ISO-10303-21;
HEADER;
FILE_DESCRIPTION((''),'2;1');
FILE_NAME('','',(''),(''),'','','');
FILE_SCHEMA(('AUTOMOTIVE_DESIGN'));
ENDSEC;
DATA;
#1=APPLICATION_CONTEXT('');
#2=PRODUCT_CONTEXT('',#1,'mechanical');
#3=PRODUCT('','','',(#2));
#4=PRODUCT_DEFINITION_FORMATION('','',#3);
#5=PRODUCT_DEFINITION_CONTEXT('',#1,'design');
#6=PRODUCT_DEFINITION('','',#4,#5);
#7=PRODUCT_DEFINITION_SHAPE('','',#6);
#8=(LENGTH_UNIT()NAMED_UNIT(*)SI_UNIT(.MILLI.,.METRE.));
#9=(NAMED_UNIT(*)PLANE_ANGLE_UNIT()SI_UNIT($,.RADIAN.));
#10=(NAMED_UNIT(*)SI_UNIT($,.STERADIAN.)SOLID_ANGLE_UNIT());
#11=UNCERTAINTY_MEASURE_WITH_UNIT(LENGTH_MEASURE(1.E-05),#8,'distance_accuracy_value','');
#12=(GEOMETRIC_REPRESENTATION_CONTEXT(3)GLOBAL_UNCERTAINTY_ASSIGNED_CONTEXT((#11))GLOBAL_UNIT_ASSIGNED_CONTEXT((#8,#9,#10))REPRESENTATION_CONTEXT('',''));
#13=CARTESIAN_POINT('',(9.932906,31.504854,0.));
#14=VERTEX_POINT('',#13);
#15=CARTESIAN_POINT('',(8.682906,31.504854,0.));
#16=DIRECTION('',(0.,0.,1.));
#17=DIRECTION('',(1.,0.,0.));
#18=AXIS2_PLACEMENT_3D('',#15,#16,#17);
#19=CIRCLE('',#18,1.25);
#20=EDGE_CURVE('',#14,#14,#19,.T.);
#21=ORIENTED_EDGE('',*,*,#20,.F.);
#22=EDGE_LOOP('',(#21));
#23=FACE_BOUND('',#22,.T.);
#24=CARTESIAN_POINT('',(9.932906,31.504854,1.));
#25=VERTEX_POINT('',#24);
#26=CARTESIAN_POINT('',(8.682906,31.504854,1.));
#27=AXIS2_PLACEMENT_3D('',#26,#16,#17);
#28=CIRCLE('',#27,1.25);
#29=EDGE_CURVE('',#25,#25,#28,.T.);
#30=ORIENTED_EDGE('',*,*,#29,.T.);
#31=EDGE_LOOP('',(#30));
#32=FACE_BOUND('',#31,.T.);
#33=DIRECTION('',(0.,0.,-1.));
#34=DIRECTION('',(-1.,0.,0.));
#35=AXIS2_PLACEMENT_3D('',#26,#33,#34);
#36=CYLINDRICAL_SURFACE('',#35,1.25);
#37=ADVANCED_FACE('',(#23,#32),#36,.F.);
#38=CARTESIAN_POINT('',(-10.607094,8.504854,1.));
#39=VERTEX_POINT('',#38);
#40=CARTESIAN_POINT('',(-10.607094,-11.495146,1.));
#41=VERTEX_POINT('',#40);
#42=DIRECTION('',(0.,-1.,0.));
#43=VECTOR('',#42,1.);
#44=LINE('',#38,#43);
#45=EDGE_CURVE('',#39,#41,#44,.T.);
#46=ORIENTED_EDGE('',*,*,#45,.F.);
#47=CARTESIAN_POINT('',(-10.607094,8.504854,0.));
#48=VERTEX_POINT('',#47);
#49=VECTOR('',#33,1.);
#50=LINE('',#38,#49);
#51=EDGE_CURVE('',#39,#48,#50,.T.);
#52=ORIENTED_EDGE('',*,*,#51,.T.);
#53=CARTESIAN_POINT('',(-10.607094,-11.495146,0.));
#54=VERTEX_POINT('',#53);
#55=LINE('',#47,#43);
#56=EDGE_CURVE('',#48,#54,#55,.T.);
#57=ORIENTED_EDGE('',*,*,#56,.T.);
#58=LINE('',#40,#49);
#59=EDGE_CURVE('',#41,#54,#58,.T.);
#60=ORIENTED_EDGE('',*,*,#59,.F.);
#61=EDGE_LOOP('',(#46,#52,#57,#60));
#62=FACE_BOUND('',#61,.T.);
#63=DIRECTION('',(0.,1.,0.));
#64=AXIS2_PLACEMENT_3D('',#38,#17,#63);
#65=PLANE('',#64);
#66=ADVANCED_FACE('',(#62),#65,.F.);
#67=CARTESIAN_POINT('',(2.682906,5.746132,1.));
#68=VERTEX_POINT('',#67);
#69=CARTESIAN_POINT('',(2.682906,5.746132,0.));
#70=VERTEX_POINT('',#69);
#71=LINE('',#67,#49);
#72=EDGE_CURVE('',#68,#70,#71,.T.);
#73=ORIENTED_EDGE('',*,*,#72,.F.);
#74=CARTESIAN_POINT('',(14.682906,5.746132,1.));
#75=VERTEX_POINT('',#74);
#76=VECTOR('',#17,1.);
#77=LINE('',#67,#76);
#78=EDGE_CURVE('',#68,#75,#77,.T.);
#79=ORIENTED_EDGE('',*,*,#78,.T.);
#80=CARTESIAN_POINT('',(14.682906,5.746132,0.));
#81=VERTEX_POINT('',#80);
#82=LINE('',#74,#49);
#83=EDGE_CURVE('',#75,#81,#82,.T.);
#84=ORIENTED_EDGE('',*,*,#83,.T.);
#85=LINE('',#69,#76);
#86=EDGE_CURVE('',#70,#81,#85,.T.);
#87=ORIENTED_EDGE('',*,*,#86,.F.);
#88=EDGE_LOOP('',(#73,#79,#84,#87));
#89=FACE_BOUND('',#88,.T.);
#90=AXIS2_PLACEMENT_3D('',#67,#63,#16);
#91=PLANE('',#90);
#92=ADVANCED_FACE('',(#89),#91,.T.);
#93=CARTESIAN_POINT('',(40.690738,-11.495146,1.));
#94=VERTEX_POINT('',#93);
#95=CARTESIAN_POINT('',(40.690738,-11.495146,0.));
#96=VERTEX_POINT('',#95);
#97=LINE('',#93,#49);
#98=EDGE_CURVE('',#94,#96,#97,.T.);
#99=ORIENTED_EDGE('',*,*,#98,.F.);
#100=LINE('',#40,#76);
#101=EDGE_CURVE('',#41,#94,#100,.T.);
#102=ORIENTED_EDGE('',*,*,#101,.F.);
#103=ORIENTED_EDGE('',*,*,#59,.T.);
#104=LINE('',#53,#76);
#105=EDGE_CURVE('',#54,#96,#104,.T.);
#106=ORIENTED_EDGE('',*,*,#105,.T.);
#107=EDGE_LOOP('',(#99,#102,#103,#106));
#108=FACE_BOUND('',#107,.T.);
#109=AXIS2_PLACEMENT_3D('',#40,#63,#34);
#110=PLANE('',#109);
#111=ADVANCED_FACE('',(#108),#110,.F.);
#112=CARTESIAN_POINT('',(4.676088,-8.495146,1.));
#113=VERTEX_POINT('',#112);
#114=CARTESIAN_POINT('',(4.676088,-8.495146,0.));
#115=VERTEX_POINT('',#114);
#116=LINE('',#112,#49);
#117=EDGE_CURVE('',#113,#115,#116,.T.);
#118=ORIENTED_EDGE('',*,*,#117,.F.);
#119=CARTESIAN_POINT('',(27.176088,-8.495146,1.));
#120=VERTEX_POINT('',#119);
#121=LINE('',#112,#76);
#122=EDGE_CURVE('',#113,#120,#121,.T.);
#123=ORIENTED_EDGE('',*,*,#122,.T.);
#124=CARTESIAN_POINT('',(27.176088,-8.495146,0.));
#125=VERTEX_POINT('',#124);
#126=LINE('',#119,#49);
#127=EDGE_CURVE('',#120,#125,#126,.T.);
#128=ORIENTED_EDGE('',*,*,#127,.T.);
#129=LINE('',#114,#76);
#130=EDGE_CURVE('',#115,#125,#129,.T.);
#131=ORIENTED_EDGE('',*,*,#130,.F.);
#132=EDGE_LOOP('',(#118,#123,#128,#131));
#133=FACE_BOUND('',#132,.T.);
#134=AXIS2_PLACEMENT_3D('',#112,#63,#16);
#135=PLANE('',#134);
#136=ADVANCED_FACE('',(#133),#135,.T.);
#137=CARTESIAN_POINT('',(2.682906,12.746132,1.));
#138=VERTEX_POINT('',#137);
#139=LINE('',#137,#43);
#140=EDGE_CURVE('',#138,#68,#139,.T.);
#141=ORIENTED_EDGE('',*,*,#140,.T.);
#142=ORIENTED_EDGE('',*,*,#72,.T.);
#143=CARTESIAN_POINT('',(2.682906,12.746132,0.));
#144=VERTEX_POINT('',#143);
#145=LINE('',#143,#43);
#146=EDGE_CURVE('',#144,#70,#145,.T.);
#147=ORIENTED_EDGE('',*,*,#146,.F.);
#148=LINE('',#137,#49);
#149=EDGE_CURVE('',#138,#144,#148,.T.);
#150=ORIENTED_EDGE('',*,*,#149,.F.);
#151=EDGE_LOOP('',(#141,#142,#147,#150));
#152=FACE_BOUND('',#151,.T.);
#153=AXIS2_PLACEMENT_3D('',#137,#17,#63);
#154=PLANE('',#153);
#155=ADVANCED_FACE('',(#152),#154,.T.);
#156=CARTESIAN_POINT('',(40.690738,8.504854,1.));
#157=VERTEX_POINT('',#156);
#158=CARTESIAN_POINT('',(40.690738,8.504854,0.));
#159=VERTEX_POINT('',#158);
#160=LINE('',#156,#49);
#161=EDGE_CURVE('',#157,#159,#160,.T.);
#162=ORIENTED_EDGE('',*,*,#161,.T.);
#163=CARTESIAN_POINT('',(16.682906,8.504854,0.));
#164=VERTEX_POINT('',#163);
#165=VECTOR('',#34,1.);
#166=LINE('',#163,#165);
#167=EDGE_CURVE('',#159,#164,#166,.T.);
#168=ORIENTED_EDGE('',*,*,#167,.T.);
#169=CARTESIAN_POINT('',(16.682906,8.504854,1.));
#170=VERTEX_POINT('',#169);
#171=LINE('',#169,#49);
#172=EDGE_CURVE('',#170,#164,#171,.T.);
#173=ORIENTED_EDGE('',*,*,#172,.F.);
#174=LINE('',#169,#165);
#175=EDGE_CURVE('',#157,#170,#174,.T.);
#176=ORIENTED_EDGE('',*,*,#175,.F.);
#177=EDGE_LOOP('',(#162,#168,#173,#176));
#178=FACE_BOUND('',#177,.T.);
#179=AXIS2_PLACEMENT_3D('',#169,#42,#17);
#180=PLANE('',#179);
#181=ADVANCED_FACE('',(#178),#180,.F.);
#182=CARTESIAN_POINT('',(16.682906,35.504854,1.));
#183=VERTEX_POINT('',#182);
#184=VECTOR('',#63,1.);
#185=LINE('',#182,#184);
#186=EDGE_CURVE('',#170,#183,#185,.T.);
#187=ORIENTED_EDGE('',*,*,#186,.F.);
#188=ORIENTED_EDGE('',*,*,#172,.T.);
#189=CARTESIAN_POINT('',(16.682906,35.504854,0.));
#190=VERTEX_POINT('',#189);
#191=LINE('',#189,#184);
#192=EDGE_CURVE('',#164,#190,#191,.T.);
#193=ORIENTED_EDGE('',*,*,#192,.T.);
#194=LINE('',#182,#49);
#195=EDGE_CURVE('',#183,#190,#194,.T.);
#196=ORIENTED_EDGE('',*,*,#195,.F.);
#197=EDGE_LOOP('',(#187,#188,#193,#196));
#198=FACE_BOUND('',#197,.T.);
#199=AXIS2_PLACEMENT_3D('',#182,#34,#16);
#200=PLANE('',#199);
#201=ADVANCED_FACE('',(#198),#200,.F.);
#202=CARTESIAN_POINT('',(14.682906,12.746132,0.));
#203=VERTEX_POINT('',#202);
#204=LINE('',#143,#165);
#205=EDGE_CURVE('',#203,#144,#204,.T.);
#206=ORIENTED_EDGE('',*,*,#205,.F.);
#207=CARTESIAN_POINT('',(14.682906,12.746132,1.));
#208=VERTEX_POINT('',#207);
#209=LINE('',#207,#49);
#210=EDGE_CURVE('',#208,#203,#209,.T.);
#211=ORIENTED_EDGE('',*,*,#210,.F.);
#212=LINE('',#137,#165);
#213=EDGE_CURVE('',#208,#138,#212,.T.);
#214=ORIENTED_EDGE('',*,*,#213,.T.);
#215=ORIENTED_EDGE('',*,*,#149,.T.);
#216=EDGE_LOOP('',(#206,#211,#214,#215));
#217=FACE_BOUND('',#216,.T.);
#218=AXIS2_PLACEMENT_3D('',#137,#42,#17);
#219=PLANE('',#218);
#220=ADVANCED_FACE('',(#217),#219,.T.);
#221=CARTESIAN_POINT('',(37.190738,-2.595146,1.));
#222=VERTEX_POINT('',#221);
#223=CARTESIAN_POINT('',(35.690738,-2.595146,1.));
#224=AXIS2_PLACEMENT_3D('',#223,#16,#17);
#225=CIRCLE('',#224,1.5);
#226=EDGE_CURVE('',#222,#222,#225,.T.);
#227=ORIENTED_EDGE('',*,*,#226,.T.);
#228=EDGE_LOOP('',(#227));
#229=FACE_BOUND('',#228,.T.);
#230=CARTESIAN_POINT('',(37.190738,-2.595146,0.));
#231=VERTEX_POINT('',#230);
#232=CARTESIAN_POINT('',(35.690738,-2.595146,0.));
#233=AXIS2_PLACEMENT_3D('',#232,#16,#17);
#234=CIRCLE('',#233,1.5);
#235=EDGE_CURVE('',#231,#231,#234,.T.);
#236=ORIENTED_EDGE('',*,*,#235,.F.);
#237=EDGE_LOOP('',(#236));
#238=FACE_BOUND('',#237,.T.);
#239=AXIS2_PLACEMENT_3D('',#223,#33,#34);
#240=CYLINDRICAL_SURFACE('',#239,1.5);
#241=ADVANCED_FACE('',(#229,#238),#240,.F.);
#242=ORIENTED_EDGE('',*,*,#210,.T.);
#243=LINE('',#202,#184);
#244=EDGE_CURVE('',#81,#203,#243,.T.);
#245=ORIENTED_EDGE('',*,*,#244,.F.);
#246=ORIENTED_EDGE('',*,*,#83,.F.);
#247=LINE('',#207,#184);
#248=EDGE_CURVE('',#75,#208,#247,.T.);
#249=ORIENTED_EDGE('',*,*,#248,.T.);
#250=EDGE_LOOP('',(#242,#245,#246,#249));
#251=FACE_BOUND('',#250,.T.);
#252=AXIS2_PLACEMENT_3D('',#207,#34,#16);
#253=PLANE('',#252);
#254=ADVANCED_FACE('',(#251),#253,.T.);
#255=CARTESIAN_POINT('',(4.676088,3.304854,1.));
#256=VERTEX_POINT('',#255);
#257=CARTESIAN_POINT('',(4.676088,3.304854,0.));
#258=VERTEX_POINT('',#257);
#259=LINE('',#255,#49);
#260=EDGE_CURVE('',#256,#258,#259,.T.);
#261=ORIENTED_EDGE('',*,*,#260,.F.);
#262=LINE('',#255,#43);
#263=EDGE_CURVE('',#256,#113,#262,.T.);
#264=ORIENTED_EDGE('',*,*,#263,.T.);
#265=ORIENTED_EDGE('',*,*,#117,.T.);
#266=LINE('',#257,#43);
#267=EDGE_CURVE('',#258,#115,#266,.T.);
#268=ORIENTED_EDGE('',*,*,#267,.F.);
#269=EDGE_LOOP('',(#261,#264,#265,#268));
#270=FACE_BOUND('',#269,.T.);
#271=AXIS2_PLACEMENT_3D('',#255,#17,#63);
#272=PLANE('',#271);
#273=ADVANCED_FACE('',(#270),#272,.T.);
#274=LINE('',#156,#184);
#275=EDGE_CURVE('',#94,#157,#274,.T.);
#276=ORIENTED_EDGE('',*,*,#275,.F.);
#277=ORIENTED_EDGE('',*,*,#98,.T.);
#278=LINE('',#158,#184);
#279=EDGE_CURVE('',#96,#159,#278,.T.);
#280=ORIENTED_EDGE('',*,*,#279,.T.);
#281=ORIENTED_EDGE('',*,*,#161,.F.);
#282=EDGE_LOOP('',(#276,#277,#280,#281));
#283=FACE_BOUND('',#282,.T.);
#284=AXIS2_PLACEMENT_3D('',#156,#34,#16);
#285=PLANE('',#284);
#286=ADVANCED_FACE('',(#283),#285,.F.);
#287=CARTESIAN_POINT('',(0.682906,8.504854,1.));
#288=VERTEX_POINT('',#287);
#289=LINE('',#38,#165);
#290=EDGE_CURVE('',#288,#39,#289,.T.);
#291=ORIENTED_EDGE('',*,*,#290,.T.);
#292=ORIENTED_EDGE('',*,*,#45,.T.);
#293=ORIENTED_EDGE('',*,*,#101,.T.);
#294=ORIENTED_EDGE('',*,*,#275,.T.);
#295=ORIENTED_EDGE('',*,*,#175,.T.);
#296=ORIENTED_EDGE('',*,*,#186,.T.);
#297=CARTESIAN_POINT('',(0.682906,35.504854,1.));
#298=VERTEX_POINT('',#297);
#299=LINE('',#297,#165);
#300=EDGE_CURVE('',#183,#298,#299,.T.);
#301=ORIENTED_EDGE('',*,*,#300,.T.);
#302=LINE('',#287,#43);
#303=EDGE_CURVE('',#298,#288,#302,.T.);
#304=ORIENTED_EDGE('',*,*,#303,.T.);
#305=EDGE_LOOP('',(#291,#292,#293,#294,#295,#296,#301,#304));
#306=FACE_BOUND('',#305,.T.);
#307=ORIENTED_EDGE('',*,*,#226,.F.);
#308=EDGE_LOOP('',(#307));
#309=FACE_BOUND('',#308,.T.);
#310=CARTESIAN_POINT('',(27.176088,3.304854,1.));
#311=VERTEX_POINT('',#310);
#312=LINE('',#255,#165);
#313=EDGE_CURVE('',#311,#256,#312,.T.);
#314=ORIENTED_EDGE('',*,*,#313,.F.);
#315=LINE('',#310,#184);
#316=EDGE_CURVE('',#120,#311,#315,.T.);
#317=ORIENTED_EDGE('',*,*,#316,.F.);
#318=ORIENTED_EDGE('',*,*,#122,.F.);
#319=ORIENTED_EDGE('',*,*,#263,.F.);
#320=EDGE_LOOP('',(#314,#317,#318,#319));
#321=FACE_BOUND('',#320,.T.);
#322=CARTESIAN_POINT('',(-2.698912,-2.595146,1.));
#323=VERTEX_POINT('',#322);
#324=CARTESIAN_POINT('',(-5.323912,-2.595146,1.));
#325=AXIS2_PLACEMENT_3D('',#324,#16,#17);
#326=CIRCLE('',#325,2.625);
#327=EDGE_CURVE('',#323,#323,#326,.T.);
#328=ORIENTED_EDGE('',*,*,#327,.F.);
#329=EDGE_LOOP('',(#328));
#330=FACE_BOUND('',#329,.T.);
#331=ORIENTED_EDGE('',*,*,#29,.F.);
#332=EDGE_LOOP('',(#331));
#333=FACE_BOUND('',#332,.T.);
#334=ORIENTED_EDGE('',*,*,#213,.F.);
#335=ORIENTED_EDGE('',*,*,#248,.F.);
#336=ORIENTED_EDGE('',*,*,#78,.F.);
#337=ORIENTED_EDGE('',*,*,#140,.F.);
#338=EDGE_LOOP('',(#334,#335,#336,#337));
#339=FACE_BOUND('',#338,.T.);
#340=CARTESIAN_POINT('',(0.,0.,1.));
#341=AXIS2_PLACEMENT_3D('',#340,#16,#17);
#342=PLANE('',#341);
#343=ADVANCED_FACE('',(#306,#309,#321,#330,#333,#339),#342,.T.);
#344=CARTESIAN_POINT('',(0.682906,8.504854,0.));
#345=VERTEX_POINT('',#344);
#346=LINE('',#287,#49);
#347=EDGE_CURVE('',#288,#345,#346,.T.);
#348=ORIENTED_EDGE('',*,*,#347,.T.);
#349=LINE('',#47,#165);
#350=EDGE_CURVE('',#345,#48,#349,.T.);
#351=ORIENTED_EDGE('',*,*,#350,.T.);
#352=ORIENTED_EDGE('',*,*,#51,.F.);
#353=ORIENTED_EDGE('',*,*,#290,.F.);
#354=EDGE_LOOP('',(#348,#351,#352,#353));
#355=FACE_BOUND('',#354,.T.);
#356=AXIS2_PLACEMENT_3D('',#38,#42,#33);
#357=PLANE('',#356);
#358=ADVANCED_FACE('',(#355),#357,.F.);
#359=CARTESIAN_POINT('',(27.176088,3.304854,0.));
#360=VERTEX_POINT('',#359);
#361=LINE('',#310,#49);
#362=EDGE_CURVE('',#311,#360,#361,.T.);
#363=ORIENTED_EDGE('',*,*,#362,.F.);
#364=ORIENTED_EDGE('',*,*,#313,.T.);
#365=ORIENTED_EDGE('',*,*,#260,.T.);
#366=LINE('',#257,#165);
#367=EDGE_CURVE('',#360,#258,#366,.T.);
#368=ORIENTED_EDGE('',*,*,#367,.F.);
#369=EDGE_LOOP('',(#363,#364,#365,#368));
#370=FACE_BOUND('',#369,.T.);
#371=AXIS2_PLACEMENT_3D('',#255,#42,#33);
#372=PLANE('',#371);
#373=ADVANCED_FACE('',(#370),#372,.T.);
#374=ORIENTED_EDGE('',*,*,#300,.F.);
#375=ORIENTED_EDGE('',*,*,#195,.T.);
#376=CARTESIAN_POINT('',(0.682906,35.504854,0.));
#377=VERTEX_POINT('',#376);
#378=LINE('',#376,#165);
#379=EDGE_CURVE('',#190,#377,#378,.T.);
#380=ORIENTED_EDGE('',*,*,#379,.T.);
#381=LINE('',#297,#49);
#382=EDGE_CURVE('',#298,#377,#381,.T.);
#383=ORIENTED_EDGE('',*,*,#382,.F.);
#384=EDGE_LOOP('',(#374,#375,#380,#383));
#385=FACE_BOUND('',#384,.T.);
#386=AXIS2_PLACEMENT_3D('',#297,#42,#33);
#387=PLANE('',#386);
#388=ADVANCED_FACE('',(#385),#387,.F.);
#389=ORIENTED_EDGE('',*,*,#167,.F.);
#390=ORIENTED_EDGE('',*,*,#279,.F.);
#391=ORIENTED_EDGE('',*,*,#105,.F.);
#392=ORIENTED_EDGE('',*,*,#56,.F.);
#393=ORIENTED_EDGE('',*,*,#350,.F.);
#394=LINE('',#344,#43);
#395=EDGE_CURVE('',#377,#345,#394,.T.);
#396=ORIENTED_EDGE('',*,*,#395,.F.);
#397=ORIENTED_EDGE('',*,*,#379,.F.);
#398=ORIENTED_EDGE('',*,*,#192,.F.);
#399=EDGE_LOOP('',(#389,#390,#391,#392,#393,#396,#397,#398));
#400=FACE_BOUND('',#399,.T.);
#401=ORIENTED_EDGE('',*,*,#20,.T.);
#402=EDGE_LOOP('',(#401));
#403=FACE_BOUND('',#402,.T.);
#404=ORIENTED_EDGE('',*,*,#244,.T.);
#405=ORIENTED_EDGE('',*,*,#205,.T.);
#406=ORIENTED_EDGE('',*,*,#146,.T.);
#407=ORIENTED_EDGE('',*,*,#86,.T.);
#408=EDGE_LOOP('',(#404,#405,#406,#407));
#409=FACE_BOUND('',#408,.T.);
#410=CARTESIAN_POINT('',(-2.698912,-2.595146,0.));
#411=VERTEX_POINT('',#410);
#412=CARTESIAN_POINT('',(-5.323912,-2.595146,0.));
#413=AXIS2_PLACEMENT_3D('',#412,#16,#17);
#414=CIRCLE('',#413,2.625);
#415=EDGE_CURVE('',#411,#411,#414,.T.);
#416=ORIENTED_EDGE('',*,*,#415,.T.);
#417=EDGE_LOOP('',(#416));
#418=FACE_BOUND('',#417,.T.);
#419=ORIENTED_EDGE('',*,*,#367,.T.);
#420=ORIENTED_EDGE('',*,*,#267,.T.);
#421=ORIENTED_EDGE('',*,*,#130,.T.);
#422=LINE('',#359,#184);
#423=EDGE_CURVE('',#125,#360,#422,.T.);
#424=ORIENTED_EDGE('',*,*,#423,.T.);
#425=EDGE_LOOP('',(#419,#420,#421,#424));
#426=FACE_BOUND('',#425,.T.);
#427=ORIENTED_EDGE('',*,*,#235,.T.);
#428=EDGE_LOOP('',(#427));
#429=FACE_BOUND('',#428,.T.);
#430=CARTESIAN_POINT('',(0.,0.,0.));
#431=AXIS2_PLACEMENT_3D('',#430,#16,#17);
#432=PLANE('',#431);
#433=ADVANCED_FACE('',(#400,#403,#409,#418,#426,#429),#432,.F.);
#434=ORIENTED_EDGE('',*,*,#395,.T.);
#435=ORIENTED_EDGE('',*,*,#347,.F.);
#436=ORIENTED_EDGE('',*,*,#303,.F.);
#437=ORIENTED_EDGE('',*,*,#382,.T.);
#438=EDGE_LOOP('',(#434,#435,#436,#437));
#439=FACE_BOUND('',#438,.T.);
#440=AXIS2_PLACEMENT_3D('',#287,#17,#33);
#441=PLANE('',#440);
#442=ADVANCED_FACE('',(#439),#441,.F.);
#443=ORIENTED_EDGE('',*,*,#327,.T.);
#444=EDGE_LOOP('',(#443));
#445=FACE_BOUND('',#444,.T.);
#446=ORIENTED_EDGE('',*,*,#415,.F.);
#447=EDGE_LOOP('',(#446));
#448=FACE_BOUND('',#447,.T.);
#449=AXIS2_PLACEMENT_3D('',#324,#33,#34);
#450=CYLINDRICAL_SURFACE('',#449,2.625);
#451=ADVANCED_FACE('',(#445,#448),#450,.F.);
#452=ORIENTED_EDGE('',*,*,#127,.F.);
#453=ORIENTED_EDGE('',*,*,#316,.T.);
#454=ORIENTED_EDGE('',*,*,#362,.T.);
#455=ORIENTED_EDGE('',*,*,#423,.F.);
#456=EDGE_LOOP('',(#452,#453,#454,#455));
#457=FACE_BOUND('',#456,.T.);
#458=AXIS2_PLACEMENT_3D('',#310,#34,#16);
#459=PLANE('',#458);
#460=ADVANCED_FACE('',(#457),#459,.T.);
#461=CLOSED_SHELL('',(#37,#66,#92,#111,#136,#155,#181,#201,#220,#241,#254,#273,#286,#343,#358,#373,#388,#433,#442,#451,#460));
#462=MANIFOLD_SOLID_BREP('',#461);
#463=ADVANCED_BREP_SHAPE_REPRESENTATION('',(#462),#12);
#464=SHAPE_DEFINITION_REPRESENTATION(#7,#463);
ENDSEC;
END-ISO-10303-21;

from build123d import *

# Parameters (mm, degrees)
CROQUIS1_R              = 1.25
CROQUIS1_R_2            = 2.625
CROQUIS1_R_3            = 1.5
CROQUIS1_W              = 22.5
CROQUIS1_H              = 11.8
CROQUIS1_W_2            = 12
CROQUIS1_H_2            = 7
SALIENTE_EXTRUIR1_DEPTH = 1


with BuildPart() as part:
    # Croquis1 → Saliente-Extruir1 (new body)
    with BuildSketch(Plane.XY):
        Polygon((0.682906484, 8.504854369), (0.682906484, 35.504854369), (16.682906484, 35.504854369), (16.682906484, 8.504854369), (40.690737834, 8.504854369), (40.690737834, -11.495145631), (-10.607093516, -11.495145631), (-10.607093516, 8.504854369), align=None)
        with Locations((8.682906484, 31.504854369)):
            Circle(CROQUIS1_R, mode=Mode.SUBTRACT)
        with Locations((-5.323911872, -2.595145631)):
            Circle(CROQUIS1_R_2, mode=Mode.SUBTRACT)
        with Locations((35.690737834, -2.595145631)):
            Circle(CROQUIS1_R_3, mode=Mode.SUBTRACT)
        with Locations((15.926088128, -2.595145631)):
            Rectangle(CROQUIS1_W, CROQUIS1_H, mode=Mode.SUBTRACT)
        with Locations((8.682906484, 9.246132474)):
            Rectangle(CROQUIS1_W_2, CROQUIS1_H_2, mode=Mode.SUBTRACT)
    extrude(amount=SALIENTE_EXTRUIR1_DEPTH)


solid = part.part
